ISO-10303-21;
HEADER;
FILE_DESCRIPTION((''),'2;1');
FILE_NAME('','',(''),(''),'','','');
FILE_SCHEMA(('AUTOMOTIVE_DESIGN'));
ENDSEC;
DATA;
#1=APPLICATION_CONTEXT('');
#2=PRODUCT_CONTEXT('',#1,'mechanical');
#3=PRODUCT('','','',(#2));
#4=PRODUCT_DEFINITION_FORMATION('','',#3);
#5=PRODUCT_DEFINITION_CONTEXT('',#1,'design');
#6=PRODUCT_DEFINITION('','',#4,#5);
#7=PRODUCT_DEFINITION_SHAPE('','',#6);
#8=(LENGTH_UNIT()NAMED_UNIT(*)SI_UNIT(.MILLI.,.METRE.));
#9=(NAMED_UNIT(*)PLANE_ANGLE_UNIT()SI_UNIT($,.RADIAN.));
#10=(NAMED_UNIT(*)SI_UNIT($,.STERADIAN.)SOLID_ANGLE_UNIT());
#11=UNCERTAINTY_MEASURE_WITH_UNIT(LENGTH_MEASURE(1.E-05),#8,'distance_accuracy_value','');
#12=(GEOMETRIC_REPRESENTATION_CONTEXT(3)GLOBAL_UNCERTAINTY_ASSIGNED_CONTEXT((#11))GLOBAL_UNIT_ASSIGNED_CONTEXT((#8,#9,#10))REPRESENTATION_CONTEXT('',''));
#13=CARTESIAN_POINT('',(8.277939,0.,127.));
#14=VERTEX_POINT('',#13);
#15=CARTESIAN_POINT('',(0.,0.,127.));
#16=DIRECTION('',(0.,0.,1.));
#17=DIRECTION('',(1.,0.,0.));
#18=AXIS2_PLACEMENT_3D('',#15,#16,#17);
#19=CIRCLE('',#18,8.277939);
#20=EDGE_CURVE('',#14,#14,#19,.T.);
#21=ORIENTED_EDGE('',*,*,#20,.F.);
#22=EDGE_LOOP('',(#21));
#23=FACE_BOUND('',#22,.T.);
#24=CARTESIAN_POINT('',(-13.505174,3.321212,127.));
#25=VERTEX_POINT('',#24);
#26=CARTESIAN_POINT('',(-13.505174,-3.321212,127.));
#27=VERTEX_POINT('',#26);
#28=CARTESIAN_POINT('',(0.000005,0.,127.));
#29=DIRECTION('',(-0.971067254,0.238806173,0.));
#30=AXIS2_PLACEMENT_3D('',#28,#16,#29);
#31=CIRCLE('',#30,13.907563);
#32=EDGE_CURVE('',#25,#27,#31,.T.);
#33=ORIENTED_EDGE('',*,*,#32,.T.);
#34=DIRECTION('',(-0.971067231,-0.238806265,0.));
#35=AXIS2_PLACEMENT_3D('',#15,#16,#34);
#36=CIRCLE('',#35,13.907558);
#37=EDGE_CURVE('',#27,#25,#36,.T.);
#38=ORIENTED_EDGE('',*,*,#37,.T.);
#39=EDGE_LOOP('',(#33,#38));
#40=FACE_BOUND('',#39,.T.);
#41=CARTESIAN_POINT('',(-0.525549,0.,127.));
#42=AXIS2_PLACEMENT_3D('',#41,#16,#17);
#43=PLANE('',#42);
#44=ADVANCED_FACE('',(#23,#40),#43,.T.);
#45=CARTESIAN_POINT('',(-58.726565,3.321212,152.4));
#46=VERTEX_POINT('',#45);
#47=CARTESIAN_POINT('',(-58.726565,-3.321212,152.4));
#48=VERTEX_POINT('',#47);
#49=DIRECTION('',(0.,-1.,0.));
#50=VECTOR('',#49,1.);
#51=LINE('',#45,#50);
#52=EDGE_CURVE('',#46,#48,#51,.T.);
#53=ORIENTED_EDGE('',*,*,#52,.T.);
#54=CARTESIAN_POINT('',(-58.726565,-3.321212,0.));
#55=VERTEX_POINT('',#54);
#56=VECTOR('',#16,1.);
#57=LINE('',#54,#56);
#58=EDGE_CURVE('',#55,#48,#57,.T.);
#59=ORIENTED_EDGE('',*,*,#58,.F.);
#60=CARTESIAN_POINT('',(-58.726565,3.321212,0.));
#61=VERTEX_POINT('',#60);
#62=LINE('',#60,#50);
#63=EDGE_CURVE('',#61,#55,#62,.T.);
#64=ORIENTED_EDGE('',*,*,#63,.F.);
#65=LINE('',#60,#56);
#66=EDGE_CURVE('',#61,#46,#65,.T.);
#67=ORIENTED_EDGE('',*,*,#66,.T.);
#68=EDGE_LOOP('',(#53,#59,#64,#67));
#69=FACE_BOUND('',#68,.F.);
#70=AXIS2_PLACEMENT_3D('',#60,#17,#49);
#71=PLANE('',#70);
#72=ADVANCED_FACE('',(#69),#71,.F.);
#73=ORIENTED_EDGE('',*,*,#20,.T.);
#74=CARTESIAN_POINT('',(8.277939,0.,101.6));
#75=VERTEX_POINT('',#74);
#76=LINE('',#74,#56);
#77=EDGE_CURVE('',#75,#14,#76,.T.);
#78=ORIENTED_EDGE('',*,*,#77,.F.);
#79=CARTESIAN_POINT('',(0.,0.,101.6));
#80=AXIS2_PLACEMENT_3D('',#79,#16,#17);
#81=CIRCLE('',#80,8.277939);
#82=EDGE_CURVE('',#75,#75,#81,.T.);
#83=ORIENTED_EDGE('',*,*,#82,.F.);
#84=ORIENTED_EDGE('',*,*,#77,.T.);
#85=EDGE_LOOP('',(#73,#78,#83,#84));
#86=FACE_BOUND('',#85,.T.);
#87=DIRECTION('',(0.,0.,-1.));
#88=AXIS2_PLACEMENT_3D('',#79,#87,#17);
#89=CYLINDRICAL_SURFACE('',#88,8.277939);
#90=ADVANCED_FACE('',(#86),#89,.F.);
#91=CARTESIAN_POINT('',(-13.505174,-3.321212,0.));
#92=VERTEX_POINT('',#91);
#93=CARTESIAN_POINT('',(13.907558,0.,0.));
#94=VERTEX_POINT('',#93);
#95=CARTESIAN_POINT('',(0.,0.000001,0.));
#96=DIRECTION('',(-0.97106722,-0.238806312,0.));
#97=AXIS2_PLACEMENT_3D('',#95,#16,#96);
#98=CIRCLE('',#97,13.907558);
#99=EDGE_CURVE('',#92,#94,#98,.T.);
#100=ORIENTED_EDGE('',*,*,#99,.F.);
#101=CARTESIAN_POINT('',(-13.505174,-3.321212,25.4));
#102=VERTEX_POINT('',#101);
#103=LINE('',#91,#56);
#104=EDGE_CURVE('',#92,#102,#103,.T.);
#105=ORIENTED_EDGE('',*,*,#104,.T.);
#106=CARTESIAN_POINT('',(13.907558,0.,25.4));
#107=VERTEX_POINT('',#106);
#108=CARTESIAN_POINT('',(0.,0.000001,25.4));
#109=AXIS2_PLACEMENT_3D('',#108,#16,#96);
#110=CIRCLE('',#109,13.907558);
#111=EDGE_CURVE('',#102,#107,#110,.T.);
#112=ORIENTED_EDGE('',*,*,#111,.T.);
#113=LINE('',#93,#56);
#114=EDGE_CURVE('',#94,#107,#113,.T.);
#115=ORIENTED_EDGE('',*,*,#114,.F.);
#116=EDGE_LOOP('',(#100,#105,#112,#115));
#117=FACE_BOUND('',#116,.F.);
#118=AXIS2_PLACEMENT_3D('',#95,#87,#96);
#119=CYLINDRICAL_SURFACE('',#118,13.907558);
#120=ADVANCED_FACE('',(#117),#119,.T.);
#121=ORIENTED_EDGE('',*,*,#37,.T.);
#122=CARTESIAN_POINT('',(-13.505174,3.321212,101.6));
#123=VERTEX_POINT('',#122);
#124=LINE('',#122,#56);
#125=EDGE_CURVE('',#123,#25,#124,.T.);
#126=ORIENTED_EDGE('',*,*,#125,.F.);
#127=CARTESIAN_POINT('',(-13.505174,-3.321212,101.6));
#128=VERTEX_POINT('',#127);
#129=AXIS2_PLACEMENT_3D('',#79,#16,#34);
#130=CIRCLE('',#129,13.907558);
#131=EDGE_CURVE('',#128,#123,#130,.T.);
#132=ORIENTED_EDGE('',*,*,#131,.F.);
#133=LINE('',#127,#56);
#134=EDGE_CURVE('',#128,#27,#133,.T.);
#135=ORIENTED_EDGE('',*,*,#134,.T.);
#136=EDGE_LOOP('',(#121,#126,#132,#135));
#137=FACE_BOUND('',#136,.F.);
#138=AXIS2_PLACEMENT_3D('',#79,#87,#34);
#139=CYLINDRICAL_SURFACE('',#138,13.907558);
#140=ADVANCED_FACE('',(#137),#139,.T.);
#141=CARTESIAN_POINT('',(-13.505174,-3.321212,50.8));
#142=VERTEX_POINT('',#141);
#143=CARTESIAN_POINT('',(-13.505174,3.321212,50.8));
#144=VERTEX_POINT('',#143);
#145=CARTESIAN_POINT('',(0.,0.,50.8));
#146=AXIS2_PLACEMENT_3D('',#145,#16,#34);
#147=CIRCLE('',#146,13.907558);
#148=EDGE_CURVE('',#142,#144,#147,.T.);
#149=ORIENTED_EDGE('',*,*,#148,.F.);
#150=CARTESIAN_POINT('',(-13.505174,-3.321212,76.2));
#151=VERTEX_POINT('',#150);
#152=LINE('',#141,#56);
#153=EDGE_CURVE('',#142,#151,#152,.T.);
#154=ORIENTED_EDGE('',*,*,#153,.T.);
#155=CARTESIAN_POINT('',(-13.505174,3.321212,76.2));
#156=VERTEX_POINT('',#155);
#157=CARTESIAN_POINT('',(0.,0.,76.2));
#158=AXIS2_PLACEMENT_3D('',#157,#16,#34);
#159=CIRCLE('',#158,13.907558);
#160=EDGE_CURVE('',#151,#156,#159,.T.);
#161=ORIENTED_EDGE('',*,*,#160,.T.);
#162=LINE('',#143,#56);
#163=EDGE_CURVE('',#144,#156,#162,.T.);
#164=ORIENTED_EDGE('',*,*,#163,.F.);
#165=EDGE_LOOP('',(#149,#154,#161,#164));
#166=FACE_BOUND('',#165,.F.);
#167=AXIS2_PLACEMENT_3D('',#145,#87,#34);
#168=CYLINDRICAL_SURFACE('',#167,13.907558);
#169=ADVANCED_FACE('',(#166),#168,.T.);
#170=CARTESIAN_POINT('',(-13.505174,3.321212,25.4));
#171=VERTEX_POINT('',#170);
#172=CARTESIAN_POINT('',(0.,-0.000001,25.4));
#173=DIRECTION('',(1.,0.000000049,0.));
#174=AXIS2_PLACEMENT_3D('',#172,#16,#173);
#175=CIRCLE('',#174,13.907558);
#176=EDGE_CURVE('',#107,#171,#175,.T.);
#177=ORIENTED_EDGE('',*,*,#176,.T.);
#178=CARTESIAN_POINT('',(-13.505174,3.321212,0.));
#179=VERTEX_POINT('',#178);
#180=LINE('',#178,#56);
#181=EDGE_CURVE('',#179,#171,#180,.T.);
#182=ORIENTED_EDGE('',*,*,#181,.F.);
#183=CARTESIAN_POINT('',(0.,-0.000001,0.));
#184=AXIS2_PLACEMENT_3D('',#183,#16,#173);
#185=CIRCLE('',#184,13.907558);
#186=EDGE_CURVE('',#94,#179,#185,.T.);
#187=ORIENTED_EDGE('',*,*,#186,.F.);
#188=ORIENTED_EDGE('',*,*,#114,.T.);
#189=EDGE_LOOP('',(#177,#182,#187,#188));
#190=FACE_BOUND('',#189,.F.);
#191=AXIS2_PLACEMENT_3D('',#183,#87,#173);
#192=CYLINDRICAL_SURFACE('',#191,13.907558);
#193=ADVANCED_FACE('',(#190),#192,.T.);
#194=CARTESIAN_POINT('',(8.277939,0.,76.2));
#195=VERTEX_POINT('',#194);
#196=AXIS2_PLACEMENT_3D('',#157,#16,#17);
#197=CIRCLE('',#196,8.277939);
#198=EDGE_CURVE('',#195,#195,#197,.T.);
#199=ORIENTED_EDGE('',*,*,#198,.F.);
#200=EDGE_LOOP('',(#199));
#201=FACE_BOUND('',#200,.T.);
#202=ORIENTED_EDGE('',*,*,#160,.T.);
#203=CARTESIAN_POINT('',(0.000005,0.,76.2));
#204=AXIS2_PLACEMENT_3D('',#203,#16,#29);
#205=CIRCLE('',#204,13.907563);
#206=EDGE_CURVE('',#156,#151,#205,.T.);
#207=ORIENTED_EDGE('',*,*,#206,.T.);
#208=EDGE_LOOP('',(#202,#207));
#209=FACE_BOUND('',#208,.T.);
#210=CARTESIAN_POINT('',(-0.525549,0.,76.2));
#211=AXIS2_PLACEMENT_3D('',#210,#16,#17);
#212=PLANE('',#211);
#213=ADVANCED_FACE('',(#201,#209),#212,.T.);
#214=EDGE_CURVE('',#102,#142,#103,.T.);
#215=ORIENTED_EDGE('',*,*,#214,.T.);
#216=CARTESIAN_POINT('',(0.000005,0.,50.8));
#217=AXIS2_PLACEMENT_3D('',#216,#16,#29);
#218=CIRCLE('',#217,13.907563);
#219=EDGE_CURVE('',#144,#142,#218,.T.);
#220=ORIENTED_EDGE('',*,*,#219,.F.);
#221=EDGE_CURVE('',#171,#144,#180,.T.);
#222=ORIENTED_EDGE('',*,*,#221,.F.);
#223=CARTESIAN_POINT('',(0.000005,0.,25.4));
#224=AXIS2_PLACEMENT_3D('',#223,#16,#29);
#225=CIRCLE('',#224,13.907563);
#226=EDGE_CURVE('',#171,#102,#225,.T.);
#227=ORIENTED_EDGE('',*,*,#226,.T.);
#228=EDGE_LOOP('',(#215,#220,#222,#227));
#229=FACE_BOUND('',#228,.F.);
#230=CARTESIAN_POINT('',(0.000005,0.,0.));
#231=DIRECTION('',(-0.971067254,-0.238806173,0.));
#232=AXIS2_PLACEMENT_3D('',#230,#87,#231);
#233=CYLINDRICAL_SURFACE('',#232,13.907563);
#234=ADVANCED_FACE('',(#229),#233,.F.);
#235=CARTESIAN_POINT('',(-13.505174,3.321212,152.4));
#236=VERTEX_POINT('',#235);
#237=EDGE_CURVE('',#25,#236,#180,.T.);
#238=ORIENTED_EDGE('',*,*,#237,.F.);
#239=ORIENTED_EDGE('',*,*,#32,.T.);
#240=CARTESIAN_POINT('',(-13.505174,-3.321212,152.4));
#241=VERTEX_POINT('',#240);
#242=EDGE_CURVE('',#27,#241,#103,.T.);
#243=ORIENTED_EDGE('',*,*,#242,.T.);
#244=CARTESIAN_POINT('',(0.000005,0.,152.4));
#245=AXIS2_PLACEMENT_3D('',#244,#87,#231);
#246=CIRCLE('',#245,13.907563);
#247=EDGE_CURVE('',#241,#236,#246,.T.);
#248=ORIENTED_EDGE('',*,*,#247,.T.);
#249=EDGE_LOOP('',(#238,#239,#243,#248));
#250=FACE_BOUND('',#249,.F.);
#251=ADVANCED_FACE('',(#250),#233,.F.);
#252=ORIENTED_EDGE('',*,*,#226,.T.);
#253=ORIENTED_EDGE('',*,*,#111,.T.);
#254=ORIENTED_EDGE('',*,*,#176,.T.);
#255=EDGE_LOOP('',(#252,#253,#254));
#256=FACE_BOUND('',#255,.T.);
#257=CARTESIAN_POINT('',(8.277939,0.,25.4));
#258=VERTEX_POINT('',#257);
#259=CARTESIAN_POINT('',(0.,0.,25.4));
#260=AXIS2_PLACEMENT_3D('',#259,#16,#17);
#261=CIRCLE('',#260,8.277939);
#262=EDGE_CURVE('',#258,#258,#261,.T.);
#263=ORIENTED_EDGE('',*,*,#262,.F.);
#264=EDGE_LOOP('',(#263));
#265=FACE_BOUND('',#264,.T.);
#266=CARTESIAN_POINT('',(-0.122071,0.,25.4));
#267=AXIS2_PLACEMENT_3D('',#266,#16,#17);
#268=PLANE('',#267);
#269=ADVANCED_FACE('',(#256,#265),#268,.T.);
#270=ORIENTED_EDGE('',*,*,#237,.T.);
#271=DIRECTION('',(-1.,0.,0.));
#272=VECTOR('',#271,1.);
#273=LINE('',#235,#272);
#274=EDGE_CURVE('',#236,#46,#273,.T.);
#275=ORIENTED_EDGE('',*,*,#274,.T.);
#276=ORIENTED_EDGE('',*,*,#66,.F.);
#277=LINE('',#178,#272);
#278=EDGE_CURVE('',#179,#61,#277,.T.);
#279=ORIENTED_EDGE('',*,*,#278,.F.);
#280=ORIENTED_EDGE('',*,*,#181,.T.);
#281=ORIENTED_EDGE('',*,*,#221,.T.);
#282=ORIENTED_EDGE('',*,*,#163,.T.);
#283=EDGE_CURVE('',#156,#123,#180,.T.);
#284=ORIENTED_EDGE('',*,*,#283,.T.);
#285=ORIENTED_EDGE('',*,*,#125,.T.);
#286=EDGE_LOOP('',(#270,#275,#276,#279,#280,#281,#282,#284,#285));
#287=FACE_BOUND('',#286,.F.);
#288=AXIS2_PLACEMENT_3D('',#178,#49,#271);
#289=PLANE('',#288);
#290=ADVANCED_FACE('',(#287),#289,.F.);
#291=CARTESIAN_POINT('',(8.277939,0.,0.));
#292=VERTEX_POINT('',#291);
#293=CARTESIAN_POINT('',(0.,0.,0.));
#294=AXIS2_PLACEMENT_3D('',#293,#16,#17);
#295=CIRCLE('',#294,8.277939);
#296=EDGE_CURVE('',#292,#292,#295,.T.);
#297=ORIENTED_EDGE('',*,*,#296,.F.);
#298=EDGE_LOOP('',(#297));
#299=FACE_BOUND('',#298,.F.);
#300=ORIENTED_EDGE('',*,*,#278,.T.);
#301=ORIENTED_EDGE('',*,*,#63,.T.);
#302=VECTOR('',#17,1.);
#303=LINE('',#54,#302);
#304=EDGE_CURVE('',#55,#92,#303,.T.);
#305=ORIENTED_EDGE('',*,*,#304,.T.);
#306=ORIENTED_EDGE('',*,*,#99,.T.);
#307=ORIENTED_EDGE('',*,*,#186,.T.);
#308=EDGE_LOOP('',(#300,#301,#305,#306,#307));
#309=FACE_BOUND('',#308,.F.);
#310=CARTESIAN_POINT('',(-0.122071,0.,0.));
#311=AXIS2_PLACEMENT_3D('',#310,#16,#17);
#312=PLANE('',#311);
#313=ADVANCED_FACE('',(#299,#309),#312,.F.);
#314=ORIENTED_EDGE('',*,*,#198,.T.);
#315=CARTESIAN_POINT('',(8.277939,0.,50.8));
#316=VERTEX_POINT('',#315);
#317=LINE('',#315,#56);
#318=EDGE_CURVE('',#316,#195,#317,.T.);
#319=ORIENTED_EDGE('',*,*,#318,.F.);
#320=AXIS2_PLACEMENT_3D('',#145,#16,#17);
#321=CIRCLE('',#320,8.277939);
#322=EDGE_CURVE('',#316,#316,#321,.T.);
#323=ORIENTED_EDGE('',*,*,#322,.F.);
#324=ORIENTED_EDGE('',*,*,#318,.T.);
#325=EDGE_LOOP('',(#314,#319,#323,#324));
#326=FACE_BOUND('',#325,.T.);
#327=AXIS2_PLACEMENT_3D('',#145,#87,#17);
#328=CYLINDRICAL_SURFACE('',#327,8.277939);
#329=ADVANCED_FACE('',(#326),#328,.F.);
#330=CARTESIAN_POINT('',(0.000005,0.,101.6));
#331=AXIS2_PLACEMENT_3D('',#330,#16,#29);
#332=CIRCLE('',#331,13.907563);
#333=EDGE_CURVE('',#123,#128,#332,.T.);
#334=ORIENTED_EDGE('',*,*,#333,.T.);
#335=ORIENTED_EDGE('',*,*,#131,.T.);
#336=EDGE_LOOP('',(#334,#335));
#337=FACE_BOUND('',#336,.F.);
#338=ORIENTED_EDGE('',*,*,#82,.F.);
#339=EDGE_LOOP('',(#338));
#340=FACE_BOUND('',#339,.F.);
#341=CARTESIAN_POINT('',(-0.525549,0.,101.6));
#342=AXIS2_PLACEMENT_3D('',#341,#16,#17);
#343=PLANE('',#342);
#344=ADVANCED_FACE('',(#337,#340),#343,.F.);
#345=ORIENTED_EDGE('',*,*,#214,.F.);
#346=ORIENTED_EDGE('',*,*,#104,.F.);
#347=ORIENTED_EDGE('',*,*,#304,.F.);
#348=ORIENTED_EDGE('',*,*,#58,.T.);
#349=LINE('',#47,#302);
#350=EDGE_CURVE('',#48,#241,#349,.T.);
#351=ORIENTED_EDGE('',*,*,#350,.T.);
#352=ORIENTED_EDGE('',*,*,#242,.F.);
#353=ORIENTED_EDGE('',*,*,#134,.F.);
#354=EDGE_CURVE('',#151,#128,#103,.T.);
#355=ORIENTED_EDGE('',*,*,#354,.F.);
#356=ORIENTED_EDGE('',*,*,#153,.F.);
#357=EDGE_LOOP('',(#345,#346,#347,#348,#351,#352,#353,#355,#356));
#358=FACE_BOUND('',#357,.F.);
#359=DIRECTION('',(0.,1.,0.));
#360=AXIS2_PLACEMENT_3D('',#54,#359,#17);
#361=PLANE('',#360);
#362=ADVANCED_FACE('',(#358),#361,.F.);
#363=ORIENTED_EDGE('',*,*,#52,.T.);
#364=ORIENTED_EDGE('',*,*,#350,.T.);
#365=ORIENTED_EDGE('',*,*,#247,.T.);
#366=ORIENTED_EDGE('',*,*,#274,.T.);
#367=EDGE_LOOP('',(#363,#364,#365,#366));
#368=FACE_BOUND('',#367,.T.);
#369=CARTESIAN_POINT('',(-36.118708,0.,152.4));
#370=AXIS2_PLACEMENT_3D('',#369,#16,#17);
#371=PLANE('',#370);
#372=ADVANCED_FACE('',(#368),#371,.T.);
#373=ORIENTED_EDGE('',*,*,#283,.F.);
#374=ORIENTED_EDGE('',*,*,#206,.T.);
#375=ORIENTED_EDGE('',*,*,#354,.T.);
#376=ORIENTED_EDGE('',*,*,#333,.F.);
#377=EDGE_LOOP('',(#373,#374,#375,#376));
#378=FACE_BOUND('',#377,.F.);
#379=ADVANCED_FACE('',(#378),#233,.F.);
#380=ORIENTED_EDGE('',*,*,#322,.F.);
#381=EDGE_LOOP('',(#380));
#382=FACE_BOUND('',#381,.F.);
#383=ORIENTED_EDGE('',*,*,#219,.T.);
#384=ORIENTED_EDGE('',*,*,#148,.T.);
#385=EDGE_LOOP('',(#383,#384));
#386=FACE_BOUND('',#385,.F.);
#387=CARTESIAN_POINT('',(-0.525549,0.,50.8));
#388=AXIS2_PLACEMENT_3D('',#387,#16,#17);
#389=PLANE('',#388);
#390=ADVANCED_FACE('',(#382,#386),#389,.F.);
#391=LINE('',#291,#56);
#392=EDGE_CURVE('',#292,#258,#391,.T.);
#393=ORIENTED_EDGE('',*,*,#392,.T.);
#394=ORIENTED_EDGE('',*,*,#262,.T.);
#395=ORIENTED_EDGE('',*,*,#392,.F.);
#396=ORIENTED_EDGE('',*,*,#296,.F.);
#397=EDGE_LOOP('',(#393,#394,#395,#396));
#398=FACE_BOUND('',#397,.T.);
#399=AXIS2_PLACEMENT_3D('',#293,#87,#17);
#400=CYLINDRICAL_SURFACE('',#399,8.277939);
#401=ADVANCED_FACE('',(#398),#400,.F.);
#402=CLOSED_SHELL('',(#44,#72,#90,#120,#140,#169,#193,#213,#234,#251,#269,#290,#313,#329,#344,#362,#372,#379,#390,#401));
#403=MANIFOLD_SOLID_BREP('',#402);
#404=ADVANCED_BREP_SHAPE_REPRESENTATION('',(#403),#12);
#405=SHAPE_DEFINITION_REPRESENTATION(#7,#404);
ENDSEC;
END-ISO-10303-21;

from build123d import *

# Parameters (mm, degrees)
F1_DEPTH = 152.4
F0_R     = 8.277939
F2_DEPTH = 25.4
F5_R     = 8.277939
F6_DEPTH = 25.4
F7_R     = 8.277939
F8_DEPTH = 25.4


with BuildPart() as f1:
    # F0 (on Top) → F1 (new body)
    with BuildSketch(Plane.XY):
        with BuildLine():
            ThreePointArc((-13.505174, -3.321212), (-13.907558, 0), (-13.505174, 3.321212))
            Line((-13.505174, 3.321212), (-58.726565, 3.321212))
            Line((-58.726565, 3.321212), (-58.726565, -3.321212))
            Line((-58.726565, -3.321212), (-13.505174, -3.321212))
        make_face()
    extrude(amount=F1_DEPTH)

    # F0 (on Top) → F2 (join)
    with BuildSketch(Plane.XY):
        with BuildLine():
            ThreePointArc((13.907558, 0), (1.672749, 13.806595), (-13.505174, 3.321212))
            ThreePointArc((-13.505174, 3.321212), (-13.907558, 0), (-13.505174, -3.321212))
            ThreePointArc((-13.505174, -3.321212), (1.672749, -13.806595), (13.907558, 0))
        make_face()
        Circle(F0_R, mode=Mode.SUBTRACT)
    extrude(amount=F2_DEPTH)

    # F5 (on offset) → F6 (join)
    with BuildSketch(Plane.XY.offset(50.8)):
        with BuildLine():
            ThreePointArc((-13.505174, -3.321212), (13.907558, 0), (-13.505174, 3.321212))
            ThreePointArc((-13.505174, 3.321212), (-13.907558, 0), (-13.505174, -3.321212))
        make_face()
        Circle(F5_R, mode=Mode.SUBTRACT)
    extrude(amount=F6_DEPTH)

    # F7 (on offset) → F8 (join)
    with BuildSketch(Plane.XY.offset(101.6)):
        with BuildLine():
            ThreePointArc((-13.505174, -3.321212), (13.907558, 0), (-13.505174, 3.321212))
            ThreePointArc((-13.505174, 3.321212), (-13.907558, 0), (-13.505174, -3.321212))
        make_face()
        Circle(F7_R, mode=Mode.SUBTRACT)
    extrude(amount=F8_DEPTH)


solid = f1.part
